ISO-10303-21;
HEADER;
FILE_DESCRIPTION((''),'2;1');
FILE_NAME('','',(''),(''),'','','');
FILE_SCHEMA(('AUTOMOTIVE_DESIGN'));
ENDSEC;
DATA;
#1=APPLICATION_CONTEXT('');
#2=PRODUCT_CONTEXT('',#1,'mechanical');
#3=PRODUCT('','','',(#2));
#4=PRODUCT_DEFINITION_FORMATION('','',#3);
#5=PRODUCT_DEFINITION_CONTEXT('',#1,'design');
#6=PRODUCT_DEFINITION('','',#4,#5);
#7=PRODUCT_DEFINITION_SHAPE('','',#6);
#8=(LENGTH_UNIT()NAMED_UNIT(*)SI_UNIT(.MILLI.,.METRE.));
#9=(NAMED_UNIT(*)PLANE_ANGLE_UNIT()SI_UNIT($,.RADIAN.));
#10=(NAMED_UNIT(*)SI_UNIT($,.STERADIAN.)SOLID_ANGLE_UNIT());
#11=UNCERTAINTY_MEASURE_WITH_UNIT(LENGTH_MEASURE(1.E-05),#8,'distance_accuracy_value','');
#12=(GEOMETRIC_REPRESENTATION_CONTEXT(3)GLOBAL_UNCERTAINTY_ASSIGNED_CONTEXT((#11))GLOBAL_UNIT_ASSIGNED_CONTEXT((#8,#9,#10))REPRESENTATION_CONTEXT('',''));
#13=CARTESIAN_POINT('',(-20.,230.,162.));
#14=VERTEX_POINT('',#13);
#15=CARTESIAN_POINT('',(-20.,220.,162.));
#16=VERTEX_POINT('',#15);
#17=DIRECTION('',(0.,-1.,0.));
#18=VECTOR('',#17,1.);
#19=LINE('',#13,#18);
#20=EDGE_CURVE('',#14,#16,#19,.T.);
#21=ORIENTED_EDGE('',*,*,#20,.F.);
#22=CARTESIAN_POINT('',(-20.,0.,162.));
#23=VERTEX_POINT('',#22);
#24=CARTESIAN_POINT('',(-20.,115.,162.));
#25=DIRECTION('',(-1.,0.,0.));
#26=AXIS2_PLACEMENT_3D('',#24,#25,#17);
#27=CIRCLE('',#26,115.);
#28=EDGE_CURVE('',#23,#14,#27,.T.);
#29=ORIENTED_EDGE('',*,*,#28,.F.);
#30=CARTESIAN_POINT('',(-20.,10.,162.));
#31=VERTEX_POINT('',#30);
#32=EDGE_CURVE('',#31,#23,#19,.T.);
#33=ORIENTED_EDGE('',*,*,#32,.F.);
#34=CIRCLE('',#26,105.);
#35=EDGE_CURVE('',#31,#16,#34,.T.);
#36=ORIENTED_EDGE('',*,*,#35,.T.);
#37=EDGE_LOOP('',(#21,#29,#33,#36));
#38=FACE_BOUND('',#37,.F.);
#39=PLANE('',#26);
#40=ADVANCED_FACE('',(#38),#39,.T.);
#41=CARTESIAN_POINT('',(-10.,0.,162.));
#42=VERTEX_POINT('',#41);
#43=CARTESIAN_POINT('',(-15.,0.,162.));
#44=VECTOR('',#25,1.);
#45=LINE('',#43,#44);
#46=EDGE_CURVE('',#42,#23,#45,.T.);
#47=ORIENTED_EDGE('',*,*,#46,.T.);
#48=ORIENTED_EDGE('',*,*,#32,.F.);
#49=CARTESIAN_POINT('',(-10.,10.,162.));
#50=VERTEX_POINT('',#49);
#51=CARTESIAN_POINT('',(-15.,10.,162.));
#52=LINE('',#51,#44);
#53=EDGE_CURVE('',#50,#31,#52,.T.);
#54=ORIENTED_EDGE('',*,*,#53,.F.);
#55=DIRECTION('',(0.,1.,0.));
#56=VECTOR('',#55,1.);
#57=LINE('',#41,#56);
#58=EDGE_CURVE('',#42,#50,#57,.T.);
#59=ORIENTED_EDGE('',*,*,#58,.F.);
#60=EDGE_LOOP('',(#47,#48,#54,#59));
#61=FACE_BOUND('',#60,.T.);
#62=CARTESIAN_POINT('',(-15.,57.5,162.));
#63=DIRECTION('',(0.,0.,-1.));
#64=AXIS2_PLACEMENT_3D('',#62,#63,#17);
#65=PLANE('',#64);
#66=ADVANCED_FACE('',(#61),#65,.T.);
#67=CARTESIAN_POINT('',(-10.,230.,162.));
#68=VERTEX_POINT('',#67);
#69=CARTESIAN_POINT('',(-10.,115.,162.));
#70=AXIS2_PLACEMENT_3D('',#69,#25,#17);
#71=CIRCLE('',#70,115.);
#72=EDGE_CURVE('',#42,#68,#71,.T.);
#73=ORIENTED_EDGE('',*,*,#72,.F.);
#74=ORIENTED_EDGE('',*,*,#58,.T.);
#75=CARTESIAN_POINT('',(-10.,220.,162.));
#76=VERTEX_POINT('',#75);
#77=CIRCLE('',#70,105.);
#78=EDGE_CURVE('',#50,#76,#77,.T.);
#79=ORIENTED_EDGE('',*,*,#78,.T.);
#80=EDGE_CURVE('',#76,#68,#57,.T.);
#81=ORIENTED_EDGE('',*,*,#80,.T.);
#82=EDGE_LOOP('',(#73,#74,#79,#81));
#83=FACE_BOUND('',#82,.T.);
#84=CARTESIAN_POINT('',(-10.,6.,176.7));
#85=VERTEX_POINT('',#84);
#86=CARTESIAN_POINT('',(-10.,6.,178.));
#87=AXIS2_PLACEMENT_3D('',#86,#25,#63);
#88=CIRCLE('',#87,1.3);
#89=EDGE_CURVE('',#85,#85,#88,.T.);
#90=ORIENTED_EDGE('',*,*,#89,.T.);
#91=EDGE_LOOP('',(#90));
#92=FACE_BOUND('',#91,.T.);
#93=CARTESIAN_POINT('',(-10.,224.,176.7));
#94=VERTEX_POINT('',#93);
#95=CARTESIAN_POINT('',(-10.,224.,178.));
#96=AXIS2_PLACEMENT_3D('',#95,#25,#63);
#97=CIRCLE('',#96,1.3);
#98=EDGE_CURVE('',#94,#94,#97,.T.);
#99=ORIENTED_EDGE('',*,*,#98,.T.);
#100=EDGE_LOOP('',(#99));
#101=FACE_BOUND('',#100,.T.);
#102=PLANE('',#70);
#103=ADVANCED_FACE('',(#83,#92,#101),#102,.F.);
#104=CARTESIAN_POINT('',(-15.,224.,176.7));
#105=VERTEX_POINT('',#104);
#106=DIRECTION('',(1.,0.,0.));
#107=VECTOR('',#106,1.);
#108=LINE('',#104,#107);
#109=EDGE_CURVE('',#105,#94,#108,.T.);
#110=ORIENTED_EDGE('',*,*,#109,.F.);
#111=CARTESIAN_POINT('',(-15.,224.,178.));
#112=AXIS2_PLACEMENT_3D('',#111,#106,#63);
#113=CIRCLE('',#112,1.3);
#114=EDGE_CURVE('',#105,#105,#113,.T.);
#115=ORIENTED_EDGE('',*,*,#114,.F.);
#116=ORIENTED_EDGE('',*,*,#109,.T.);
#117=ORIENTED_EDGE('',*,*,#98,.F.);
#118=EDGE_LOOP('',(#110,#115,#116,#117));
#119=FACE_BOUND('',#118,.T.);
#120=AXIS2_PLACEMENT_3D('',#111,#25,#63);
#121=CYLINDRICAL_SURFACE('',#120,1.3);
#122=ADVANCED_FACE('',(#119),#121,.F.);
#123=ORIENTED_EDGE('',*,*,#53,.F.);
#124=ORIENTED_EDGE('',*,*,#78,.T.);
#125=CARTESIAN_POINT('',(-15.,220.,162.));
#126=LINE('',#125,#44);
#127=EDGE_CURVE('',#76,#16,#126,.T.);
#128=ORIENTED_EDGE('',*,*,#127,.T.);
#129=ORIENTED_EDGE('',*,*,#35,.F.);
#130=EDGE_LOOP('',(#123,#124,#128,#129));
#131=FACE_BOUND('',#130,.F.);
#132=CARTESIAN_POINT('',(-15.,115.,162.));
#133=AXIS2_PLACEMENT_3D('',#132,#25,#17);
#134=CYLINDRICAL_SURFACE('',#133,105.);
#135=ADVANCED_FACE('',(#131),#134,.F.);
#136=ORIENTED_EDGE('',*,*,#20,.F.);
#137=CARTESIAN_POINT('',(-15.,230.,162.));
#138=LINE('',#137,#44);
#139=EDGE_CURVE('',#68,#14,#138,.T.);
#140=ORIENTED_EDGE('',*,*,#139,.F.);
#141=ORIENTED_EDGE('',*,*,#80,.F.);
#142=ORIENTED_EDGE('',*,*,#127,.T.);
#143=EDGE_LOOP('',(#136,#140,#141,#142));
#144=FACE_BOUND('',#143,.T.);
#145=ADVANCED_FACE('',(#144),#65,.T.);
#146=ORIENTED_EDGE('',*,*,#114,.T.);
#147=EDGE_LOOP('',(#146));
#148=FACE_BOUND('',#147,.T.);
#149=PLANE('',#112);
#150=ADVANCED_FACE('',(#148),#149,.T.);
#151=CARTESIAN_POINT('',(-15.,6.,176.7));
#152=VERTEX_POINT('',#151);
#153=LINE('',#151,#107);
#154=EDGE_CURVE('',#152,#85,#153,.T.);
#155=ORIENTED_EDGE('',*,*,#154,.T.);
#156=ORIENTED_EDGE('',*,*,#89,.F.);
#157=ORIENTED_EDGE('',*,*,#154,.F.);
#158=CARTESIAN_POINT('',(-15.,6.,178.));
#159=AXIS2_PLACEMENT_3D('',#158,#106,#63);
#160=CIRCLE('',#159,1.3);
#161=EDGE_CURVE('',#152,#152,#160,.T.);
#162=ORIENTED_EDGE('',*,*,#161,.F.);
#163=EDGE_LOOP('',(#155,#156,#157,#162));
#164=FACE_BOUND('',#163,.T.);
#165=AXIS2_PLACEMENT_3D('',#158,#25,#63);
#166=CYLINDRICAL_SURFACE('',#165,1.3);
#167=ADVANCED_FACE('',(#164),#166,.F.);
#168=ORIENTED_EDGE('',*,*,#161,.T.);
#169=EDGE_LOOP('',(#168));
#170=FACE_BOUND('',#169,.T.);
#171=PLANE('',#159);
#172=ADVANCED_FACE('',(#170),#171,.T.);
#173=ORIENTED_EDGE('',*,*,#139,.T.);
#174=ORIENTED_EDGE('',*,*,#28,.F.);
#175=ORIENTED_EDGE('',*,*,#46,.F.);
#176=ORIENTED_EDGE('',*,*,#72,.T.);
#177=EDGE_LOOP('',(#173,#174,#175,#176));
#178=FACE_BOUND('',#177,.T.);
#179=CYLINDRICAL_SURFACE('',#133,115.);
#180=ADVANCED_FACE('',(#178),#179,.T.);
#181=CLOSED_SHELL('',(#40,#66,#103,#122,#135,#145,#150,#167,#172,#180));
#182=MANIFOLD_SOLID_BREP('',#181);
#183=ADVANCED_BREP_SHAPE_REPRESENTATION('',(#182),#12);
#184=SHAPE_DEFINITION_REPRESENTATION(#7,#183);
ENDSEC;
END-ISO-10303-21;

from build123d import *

# Parameters (mm, degrees)
CYLINDER084_R     = 1.3
CYLINDER084_DEPTH = 331
CYLINDER083_R     = 1.3
CYLINDER083_DEPTH = 331
CYLINDER082_W     = 105
CYLINDER082_H     = 10
CYLINDER082_ANGLE = 180
CYLINDER081_W     = 115
CYLINDER081_H     = 10
CYLINDER081_ANGLE = 180


with BuildPart() as cilindro084:
    # Cylinder084 → Cylinder084 (new body)
    with BuildSketch(Plane(origin=(5, 224, 178), x_dir=(0, 0, -1), z_dir=(1, 0, 0))):
        Circle(CYLINDER084_R)
    extrude(amount=CYLINDER084_DEPTH)


with BuildPart() as cilindro083:
    # Cylinder083 → Cylinder083 (new body)
    with BuildSketch(Plane(origin=(5, 6, 178), x_dir=(0, 0, -1), z_dir=(1, 0, 0))):
        Circle(CYLINDER083_R)
    extrude(amount=CYLINDER083_DEPTH)


with BuildPart() as cilindro082:
    # Cylinder082 → Cylinder082 (revolve)
    with BuildSketch(Plane(origin=(-3, 115, 171), x_dir=(0, -1, 0), z_dir=(0, 0, -1))):
        with Locations((52.5, 5)):
            Rectangle(CYLINDER082_W, CYLINDER082_H)
    revolve(axis=Axis((-3, 115, 171), (-1, 0, 0)), revolution_arc=CYLINDER082_ANGLE)


with BuildPart() as cut088:
    # Cylinder081 → Cylinder081 (revolve)
    with BuildSketch(Plane(origin=(-3, 115, 171), x_dir=(0, -1, 0), z_dir=(0, 0, -1))):
        with Locations((57.5, 5)):
            Rectangle(CYLINDER081_W, CYLINDER081_H)
    revolve(axis=Axis((-3, 115, 171), (-1, 0, 0)), revolution_arc=CYLINDER081_ANGLE)

    # Cut089: cut Cilindro082
    add(cilindro082.part, mode=Mode.SUBTRACT)


with BuildPart() as cut088_1:
    # Cut089 placement: moved
    add(cut088.part.moved(Location((13, 0, -9))))

    # Cut090: cut Cilindro083
    add(cilindro083.part, mode=Mode.SUBTRACT)

    # Cut088: cut Cilindro084
    add(cilindro084.part, mode=Mode.SUBTRACT)


with BuildPart() as cut088_2:
    # Cut088 placement: moved
    add(cut088_1.part.moved(Location((-20, 0, 0))))


solid = cut088_2.part
